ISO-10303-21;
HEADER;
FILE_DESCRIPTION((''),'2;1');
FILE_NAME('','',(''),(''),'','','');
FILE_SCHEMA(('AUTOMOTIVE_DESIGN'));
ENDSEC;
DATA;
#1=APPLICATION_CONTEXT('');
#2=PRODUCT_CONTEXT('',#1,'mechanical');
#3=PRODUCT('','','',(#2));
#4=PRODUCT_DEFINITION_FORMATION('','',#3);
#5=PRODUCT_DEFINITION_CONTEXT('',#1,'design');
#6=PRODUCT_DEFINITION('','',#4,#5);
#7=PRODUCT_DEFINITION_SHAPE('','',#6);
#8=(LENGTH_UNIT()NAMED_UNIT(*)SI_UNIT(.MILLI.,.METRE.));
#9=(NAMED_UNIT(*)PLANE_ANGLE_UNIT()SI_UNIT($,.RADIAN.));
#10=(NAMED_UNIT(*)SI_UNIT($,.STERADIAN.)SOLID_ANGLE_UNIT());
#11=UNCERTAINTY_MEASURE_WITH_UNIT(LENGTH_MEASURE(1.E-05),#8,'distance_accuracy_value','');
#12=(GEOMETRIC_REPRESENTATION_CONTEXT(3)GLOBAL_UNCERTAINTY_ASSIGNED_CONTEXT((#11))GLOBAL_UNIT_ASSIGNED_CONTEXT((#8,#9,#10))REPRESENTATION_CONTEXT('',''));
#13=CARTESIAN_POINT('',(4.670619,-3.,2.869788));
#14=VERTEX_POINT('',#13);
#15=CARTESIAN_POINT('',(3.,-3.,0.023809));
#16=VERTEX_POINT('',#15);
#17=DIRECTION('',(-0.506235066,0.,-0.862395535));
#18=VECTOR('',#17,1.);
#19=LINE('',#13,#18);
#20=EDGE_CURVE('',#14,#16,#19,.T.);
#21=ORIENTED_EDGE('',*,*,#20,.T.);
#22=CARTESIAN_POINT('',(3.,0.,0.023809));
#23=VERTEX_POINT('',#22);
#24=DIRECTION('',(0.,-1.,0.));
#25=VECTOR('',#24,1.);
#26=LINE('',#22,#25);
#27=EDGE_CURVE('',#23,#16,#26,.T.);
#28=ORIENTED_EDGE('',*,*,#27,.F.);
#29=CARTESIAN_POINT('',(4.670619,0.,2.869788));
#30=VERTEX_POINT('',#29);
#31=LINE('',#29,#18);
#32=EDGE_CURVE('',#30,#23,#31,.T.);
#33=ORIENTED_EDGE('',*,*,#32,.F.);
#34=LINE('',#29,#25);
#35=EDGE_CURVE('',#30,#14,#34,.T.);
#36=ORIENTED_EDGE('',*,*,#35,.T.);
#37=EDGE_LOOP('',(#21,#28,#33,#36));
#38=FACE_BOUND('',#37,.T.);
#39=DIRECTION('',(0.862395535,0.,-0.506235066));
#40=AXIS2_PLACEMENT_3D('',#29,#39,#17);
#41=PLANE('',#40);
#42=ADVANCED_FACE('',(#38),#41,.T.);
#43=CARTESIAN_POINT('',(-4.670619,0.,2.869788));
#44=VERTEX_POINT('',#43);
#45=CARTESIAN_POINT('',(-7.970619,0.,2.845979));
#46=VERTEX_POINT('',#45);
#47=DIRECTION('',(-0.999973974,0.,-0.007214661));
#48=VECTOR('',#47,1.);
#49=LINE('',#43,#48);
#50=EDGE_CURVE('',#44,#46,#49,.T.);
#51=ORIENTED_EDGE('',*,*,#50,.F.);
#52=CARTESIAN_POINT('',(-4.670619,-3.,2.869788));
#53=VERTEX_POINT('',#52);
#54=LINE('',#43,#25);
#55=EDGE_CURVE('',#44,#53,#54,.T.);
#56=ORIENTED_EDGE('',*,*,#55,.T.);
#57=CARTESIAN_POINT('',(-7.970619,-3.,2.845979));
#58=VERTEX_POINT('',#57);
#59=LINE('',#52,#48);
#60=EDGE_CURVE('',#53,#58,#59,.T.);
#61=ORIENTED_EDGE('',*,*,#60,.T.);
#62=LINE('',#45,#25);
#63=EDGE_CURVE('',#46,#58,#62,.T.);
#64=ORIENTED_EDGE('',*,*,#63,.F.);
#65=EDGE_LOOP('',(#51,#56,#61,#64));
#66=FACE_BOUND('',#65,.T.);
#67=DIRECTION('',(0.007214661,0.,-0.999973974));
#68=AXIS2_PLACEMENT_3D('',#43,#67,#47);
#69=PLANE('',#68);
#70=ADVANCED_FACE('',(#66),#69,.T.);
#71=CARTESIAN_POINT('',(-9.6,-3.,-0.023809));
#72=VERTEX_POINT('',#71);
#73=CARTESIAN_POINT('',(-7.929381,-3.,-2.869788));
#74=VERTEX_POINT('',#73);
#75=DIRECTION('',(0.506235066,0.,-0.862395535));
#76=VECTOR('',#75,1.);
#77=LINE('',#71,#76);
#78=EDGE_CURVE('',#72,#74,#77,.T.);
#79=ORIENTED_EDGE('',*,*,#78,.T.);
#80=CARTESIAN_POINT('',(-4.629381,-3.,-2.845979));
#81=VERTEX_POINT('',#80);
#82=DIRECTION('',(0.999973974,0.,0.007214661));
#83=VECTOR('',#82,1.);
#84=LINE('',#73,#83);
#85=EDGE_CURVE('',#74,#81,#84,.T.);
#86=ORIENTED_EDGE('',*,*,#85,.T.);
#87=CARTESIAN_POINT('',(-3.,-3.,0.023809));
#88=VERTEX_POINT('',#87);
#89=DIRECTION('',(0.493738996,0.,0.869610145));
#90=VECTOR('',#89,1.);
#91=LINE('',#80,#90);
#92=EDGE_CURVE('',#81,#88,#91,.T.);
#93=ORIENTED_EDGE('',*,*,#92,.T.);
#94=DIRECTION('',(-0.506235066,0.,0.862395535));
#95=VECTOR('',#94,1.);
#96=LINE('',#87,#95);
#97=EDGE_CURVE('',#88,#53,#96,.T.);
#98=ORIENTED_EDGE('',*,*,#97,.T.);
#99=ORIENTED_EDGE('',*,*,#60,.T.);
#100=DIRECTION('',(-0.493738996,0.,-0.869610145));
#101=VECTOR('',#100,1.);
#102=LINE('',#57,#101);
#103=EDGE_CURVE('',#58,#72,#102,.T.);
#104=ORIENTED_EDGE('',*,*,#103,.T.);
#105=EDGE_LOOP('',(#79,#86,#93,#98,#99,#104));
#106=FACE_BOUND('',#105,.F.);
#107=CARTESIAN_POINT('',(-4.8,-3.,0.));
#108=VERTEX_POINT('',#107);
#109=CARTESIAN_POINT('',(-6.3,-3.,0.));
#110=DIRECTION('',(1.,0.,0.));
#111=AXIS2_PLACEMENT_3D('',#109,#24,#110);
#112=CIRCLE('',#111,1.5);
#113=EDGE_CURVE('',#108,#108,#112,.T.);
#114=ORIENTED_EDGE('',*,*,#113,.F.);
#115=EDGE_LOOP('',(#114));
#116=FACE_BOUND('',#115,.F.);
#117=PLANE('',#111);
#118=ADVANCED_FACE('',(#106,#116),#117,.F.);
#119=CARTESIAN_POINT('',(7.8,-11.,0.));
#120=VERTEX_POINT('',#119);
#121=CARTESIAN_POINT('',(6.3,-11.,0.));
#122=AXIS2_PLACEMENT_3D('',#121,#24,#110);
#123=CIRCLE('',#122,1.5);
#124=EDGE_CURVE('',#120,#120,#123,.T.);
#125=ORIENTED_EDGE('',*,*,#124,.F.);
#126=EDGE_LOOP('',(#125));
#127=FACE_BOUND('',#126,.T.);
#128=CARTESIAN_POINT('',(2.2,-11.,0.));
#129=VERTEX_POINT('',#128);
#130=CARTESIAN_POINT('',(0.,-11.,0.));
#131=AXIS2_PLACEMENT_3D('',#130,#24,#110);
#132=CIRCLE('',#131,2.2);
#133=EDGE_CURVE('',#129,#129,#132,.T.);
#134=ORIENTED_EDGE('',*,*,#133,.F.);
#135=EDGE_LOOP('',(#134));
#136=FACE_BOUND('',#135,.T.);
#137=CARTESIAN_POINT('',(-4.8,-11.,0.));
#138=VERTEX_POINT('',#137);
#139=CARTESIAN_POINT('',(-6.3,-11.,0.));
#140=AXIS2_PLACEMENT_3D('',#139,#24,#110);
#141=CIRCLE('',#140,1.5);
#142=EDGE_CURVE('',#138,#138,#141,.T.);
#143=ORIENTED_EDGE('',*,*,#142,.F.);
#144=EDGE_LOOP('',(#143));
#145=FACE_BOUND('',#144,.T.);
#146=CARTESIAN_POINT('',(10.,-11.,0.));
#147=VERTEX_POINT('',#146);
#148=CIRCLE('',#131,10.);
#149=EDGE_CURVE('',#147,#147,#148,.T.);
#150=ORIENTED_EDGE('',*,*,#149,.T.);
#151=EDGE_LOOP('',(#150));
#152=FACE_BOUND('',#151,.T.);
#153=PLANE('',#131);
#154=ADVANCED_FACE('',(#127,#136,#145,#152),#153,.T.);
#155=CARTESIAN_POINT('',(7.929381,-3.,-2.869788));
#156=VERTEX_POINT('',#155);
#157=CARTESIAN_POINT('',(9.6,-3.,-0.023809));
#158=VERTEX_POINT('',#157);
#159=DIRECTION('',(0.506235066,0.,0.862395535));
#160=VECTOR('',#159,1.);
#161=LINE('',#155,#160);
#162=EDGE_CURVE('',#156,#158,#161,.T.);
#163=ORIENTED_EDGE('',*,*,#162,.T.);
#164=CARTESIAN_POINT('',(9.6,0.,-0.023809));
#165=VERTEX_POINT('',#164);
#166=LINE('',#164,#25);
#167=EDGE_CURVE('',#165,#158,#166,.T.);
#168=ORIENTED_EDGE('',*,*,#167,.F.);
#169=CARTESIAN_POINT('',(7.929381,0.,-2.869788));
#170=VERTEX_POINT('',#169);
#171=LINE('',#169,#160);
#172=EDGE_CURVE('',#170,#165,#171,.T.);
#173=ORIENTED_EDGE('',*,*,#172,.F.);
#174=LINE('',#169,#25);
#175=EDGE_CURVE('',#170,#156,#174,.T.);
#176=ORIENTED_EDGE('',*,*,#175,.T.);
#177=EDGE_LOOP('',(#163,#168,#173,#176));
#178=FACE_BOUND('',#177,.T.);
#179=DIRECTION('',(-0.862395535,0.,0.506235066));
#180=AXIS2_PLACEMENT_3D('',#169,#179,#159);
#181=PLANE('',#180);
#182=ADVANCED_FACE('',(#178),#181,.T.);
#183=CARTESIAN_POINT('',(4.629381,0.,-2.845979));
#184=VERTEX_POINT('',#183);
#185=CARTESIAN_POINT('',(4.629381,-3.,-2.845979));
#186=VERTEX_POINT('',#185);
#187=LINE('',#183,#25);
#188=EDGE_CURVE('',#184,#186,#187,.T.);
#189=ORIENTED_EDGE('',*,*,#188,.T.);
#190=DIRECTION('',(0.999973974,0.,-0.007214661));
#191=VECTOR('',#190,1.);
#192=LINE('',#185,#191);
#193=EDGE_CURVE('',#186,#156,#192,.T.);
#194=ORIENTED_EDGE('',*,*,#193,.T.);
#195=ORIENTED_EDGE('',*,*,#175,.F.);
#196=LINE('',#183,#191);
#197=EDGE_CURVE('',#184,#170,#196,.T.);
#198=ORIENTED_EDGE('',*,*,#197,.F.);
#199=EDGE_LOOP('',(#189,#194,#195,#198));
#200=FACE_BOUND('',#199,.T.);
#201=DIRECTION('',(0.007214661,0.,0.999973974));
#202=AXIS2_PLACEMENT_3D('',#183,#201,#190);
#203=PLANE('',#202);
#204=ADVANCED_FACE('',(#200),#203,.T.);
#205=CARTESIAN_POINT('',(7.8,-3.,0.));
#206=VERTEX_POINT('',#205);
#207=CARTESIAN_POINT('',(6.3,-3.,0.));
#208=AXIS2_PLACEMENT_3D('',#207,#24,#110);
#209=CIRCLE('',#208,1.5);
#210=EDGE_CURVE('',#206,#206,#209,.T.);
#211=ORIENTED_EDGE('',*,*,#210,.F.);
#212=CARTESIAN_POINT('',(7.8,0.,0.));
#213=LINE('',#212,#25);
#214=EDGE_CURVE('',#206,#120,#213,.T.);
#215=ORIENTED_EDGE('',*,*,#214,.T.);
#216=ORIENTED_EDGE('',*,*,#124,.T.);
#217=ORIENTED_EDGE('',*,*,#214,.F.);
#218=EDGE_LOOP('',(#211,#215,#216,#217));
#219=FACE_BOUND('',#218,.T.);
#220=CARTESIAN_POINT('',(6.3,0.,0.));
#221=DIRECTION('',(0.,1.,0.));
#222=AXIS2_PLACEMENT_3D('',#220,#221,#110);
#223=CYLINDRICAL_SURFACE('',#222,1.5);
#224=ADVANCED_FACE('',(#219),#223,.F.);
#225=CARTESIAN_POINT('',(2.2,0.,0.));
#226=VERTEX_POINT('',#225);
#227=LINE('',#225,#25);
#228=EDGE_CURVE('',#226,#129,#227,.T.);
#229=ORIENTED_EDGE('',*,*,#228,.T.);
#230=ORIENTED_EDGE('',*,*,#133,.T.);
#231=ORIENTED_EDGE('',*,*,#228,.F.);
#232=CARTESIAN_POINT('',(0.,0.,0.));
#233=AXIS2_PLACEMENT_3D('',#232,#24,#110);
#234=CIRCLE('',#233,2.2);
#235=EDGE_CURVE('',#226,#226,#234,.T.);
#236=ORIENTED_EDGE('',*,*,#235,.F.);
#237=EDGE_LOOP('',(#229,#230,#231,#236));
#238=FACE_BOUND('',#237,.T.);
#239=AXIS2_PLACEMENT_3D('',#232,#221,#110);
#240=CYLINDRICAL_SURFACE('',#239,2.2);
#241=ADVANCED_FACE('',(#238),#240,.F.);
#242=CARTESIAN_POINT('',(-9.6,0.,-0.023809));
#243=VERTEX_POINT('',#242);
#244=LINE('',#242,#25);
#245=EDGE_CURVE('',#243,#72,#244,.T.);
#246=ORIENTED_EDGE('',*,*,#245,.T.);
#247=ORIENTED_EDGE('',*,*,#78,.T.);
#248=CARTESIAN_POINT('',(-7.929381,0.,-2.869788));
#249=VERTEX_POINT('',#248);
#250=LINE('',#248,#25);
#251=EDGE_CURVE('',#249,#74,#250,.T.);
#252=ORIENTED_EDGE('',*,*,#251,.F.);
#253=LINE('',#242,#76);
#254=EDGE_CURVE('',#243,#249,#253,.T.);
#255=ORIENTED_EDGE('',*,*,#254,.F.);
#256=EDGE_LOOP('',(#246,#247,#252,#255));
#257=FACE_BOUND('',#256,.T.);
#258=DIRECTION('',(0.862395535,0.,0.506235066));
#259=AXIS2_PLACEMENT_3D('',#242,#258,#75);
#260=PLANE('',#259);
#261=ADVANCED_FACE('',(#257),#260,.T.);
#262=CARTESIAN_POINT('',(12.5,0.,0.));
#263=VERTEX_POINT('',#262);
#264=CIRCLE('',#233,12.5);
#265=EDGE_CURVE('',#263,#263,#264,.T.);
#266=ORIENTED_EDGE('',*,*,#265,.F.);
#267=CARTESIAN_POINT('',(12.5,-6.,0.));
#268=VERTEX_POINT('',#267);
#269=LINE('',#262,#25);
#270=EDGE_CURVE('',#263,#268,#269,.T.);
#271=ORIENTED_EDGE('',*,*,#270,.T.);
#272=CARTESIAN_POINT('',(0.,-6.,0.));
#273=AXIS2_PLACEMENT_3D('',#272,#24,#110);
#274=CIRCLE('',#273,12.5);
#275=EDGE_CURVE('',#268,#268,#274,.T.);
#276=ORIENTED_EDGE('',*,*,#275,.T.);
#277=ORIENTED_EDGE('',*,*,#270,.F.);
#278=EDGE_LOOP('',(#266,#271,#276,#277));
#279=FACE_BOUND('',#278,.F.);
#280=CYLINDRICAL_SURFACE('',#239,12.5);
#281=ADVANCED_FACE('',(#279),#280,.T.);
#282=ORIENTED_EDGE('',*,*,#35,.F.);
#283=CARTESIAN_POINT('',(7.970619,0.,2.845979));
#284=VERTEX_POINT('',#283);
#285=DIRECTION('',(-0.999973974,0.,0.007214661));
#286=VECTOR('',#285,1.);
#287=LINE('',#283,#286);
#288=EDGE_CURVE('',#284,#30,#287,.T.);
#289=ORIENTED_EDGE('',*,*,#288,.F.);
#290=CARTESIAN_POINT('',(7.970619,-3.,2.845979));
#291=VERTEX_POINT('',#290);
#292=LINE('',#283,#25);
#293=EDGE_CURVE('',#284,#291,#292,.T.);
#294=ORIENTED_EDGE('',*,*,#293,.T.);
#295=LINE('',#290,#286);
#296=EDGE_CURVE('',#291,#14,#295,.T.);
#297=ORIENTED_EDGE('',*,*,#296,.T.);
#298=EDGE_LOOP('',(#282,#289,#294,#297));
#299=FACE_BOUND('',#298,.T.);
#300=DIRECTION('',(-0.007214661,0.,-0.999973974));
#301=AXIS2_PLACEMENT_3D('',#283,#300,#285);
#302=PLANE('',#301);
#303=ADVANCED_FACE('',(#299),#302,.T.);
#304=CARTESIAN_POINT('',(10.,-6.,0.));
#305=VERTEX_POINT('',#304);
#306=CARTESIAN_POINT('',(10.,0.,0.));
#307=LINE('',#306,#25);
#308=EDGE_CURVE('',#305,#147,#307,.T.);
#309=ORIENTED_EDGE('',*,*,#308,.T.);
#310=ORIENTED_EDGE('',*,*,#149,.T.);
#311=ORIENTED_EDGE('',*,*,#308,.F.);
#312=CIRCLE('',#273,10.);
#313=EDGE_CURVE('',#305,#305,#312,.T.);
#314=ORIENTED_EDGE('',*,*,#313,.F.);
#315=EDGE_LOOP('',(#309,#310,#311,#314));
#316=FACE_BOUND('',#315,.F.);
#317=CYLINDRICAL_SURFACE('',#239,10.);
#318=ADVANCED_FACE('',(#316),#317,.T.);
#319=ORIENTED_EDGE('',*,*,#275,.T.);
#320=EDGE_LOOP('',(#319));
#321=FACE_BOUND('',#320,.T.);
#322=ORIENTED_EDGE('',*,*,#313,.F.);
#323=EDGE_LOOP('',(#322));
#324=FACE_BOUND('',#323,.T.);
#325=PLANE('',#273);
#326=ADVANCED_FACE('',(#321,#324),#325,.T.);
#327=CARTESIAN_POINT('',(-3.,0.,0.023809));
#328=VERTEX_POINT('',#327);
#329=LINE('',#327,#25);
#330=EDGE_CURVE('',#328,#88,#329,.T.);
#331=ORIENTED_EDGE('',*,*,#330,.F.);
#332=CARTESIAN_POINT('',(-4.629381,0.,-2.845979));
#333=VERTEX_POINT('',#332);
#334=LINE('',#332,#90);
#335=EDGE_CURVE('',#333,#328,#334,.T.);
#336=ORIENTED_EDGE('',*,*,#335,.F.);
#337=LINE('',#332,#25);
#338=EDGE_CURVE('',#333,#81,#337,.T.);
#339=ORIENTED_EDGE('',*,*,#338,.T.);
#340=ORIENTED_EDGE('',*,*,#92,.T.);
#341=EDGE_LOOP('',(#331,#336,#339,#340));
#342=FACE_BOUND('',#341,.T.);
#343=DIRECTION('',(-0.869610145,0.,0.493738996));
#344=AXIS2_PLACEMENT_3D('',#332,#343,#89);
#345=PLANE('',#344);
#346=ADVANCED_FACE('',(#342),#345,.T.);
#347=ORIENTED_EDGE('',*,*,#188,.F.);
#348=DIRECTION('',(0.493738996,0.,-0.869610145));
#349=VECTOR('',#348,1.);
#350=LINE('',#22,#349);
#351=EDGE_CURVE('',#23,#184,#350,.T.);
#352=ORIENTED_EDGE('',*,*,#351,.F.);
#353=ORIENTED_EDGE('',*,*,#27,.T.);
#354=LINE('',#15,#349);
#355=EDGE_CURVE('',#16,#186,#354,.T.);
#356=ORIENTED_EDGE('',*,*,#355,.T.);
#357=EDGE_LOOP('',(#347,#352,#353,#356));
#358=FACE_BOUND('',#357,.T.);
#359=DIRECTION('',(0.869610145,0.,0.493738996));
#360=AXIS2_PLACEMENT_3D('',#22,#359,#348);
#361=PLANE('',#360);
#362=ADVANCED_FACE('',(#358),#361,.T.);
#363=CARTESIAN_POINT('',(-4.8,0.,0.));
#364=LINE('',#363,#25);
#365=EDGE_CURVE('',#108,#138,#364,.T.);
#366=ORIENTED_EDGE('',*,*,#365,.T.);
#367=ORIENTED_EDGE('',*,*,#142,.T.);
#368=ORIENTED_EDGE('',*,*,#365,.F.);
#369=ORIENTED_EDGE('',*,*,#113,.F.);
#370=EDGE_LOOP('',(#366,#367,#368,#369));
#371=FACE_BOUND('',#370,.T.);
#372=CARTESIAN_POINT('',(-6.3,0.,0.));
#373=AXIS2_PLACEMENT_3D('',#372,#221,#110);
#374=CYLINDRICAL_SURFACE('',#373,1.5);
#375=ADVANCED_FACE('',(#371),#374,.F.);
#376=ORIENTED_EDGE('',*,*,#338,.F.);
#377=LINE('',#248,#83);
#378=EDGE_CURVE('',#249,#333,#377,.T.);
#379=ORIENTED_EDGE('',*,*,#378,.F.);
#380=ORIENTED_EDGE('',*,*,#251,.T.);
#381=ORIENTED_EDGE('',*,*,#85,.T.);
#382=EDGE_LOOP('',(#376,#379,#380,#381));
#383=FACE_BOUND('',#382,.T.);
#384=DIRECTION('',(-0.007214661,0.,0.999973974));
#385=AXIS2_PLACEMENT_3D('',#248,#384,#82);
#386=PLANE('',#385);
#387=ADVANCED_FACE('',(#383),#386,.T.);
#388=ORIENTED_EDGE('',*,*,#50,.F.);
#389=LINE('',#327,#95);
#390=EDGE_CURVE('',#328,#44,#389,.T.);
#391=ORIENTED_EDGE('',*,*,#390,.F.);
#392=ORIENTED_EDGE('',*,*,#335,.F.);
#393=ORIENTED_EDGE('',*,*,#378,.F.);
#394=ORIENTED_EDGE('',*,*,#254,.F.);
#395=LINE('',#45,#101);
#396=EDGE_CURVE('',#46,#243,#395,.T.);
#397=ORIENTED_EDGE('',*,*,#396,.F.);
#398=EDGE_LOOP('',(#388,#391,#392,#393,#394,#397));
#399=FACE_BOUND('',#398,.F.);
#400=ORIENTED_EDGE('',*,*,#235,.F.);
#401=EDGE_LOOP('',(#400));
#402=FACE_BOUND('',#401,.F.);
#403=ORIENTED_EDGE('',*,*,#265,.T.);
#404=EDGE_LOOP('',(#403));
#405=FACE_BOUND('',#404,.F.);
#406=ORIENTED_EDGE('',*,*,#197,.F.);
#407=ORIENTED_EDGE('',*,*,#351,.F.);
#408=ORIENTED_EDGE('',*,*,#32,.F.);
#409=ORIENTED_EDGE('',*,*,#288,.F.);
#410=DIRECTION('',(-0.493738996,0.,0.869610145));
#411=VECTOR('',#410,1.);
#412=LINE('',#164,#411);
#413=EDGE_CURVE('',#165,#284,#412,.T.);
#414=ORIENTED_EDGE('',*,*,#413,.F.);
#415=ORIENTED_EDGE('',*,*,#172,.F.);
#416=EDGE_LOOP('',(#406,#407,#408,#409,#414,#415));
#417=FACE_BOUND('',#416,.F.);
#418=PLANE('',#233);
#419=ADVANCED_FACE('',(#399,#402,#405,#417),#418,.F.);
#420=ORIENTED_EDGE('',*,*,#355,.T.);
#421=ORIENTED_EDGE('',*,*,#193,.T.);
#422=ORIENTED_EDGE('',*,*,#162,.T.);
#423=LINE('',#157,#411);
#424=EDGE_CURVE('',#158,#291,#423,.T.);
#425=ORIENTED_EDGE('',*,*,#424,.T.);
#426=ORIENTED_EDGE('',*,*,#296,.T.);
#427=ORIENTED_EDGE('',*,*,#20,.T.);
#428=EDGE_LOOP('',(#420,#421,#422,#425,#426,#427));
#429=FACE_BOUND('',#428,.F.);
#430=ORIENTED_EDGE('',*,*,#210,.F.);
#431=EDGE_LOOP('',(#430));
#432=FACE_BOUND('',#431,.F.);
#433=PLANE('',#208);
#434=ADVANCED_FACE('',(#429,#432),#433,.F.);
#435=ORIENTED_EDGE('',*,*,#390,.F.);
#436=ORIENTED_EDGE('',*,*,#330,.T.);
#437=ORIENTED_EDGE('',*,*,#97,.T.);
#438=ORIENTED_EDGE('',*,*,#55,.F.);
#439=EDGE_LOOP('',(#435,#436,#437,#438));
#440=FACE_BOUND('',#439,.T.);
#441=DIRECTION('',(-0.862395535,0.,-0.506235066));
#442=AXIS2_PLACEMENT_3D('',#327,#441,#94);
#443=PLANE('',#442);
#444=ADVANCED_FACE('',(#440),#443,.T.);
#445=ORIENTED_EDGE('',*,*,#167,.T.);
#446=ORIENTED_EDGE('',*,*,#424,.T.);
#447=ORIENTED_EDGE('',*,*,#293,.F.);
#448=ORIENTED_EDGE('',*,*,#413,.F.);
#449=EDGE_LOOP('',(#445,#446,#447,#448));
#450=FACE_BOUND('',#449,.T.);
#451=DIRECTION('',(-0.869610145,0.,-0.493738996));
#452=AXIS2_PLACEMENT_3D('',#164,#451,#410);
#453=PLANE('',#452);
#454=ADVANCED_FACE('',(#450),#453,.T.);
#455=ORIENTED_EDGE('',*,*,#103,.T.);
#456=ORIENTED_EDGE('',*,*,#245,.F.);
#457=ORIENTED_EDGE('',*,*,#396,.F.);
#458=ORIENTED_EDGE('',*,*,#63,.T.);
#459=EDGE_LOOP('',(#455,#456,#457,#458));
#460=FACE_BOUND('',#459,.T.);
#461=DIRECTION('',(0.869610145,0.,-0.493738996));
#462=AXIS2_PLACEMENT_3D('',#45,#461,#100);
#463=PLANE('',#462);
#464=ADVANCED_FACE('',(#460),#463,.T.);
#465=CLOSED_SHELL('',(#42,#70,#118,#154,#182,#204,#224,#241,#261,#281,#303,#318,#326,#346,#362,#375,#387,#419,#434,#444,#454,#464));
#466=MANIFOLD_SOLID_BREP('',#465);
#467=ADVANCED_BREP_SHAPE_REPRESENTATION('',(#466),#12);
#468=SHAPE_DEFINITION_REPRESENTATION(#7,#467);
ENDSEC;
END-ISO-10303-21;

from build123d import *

# Parameters (mm, degrees)
F0_R     = 12.5
F0_R_2   = 10
F1_DEPTH = 6
F0_R_3   = 2.2
F2_DEPTH = 11
F3_R     = 1.5
F4_DEPTH = 11
F5_DEPTH = 3


with BuildPart() as f1:
    # F0 (on Front) → F1 (new body)
    with BuildSketch(Plane.XZ):
        Circle(F0_R)
        Circle(F0_R_2, mode=Mode.SUBTRACT)
    extrude(amount=F1_DEPTH)

    # F0 (on Front) → F2 (join)
    with BuildSketch(Plane.XZ):
        Circle(F0_R_2)
        Circle(F0_R_3, mode=Mode.SUBTRACT)
    extrude(amount=F2_DEPTH)

    # F3 (on Front) → F4 (cut)
    with BuildSketch(Plane.XZ):
        with Locations((6.3, 0)):
            Circle(F3_R)
        with Locations((-6.3, 0)):
            Circle(F3_R)
    extrude(amount=F4_DEPTH, mode=Mode.SUBTRACT)

    # F3 (on Front) → F5 (cut)
    with BuildSketch(Plane.XZ):
        Polygon((7.970619, 2.845979), (4.670619, 2.869788), (3, 0.023809), (4.629381, -2.845979), (7.929381, -2.869788), (9.6, -0.023809), align=None)
        with Locations((6.3, 0)):
            Circle(F3_R, mode=Mode.SUBTRACT)
        Polygon((-9.6, -0.023809), (-7.929381, -2.869788), (-4.629381, -2.845979), (-3, 0.023809), (-4.670619, 2.869788), (-7.970619, 2.845979), align=None)
        with Locations((-6.3, 0)):
            Circle(F3_R, mode=Mode.SUBTRACT)
    extrude(amount=F5_DEPTH, mode=Mode.SUBTRACT)


solid = f1.part
